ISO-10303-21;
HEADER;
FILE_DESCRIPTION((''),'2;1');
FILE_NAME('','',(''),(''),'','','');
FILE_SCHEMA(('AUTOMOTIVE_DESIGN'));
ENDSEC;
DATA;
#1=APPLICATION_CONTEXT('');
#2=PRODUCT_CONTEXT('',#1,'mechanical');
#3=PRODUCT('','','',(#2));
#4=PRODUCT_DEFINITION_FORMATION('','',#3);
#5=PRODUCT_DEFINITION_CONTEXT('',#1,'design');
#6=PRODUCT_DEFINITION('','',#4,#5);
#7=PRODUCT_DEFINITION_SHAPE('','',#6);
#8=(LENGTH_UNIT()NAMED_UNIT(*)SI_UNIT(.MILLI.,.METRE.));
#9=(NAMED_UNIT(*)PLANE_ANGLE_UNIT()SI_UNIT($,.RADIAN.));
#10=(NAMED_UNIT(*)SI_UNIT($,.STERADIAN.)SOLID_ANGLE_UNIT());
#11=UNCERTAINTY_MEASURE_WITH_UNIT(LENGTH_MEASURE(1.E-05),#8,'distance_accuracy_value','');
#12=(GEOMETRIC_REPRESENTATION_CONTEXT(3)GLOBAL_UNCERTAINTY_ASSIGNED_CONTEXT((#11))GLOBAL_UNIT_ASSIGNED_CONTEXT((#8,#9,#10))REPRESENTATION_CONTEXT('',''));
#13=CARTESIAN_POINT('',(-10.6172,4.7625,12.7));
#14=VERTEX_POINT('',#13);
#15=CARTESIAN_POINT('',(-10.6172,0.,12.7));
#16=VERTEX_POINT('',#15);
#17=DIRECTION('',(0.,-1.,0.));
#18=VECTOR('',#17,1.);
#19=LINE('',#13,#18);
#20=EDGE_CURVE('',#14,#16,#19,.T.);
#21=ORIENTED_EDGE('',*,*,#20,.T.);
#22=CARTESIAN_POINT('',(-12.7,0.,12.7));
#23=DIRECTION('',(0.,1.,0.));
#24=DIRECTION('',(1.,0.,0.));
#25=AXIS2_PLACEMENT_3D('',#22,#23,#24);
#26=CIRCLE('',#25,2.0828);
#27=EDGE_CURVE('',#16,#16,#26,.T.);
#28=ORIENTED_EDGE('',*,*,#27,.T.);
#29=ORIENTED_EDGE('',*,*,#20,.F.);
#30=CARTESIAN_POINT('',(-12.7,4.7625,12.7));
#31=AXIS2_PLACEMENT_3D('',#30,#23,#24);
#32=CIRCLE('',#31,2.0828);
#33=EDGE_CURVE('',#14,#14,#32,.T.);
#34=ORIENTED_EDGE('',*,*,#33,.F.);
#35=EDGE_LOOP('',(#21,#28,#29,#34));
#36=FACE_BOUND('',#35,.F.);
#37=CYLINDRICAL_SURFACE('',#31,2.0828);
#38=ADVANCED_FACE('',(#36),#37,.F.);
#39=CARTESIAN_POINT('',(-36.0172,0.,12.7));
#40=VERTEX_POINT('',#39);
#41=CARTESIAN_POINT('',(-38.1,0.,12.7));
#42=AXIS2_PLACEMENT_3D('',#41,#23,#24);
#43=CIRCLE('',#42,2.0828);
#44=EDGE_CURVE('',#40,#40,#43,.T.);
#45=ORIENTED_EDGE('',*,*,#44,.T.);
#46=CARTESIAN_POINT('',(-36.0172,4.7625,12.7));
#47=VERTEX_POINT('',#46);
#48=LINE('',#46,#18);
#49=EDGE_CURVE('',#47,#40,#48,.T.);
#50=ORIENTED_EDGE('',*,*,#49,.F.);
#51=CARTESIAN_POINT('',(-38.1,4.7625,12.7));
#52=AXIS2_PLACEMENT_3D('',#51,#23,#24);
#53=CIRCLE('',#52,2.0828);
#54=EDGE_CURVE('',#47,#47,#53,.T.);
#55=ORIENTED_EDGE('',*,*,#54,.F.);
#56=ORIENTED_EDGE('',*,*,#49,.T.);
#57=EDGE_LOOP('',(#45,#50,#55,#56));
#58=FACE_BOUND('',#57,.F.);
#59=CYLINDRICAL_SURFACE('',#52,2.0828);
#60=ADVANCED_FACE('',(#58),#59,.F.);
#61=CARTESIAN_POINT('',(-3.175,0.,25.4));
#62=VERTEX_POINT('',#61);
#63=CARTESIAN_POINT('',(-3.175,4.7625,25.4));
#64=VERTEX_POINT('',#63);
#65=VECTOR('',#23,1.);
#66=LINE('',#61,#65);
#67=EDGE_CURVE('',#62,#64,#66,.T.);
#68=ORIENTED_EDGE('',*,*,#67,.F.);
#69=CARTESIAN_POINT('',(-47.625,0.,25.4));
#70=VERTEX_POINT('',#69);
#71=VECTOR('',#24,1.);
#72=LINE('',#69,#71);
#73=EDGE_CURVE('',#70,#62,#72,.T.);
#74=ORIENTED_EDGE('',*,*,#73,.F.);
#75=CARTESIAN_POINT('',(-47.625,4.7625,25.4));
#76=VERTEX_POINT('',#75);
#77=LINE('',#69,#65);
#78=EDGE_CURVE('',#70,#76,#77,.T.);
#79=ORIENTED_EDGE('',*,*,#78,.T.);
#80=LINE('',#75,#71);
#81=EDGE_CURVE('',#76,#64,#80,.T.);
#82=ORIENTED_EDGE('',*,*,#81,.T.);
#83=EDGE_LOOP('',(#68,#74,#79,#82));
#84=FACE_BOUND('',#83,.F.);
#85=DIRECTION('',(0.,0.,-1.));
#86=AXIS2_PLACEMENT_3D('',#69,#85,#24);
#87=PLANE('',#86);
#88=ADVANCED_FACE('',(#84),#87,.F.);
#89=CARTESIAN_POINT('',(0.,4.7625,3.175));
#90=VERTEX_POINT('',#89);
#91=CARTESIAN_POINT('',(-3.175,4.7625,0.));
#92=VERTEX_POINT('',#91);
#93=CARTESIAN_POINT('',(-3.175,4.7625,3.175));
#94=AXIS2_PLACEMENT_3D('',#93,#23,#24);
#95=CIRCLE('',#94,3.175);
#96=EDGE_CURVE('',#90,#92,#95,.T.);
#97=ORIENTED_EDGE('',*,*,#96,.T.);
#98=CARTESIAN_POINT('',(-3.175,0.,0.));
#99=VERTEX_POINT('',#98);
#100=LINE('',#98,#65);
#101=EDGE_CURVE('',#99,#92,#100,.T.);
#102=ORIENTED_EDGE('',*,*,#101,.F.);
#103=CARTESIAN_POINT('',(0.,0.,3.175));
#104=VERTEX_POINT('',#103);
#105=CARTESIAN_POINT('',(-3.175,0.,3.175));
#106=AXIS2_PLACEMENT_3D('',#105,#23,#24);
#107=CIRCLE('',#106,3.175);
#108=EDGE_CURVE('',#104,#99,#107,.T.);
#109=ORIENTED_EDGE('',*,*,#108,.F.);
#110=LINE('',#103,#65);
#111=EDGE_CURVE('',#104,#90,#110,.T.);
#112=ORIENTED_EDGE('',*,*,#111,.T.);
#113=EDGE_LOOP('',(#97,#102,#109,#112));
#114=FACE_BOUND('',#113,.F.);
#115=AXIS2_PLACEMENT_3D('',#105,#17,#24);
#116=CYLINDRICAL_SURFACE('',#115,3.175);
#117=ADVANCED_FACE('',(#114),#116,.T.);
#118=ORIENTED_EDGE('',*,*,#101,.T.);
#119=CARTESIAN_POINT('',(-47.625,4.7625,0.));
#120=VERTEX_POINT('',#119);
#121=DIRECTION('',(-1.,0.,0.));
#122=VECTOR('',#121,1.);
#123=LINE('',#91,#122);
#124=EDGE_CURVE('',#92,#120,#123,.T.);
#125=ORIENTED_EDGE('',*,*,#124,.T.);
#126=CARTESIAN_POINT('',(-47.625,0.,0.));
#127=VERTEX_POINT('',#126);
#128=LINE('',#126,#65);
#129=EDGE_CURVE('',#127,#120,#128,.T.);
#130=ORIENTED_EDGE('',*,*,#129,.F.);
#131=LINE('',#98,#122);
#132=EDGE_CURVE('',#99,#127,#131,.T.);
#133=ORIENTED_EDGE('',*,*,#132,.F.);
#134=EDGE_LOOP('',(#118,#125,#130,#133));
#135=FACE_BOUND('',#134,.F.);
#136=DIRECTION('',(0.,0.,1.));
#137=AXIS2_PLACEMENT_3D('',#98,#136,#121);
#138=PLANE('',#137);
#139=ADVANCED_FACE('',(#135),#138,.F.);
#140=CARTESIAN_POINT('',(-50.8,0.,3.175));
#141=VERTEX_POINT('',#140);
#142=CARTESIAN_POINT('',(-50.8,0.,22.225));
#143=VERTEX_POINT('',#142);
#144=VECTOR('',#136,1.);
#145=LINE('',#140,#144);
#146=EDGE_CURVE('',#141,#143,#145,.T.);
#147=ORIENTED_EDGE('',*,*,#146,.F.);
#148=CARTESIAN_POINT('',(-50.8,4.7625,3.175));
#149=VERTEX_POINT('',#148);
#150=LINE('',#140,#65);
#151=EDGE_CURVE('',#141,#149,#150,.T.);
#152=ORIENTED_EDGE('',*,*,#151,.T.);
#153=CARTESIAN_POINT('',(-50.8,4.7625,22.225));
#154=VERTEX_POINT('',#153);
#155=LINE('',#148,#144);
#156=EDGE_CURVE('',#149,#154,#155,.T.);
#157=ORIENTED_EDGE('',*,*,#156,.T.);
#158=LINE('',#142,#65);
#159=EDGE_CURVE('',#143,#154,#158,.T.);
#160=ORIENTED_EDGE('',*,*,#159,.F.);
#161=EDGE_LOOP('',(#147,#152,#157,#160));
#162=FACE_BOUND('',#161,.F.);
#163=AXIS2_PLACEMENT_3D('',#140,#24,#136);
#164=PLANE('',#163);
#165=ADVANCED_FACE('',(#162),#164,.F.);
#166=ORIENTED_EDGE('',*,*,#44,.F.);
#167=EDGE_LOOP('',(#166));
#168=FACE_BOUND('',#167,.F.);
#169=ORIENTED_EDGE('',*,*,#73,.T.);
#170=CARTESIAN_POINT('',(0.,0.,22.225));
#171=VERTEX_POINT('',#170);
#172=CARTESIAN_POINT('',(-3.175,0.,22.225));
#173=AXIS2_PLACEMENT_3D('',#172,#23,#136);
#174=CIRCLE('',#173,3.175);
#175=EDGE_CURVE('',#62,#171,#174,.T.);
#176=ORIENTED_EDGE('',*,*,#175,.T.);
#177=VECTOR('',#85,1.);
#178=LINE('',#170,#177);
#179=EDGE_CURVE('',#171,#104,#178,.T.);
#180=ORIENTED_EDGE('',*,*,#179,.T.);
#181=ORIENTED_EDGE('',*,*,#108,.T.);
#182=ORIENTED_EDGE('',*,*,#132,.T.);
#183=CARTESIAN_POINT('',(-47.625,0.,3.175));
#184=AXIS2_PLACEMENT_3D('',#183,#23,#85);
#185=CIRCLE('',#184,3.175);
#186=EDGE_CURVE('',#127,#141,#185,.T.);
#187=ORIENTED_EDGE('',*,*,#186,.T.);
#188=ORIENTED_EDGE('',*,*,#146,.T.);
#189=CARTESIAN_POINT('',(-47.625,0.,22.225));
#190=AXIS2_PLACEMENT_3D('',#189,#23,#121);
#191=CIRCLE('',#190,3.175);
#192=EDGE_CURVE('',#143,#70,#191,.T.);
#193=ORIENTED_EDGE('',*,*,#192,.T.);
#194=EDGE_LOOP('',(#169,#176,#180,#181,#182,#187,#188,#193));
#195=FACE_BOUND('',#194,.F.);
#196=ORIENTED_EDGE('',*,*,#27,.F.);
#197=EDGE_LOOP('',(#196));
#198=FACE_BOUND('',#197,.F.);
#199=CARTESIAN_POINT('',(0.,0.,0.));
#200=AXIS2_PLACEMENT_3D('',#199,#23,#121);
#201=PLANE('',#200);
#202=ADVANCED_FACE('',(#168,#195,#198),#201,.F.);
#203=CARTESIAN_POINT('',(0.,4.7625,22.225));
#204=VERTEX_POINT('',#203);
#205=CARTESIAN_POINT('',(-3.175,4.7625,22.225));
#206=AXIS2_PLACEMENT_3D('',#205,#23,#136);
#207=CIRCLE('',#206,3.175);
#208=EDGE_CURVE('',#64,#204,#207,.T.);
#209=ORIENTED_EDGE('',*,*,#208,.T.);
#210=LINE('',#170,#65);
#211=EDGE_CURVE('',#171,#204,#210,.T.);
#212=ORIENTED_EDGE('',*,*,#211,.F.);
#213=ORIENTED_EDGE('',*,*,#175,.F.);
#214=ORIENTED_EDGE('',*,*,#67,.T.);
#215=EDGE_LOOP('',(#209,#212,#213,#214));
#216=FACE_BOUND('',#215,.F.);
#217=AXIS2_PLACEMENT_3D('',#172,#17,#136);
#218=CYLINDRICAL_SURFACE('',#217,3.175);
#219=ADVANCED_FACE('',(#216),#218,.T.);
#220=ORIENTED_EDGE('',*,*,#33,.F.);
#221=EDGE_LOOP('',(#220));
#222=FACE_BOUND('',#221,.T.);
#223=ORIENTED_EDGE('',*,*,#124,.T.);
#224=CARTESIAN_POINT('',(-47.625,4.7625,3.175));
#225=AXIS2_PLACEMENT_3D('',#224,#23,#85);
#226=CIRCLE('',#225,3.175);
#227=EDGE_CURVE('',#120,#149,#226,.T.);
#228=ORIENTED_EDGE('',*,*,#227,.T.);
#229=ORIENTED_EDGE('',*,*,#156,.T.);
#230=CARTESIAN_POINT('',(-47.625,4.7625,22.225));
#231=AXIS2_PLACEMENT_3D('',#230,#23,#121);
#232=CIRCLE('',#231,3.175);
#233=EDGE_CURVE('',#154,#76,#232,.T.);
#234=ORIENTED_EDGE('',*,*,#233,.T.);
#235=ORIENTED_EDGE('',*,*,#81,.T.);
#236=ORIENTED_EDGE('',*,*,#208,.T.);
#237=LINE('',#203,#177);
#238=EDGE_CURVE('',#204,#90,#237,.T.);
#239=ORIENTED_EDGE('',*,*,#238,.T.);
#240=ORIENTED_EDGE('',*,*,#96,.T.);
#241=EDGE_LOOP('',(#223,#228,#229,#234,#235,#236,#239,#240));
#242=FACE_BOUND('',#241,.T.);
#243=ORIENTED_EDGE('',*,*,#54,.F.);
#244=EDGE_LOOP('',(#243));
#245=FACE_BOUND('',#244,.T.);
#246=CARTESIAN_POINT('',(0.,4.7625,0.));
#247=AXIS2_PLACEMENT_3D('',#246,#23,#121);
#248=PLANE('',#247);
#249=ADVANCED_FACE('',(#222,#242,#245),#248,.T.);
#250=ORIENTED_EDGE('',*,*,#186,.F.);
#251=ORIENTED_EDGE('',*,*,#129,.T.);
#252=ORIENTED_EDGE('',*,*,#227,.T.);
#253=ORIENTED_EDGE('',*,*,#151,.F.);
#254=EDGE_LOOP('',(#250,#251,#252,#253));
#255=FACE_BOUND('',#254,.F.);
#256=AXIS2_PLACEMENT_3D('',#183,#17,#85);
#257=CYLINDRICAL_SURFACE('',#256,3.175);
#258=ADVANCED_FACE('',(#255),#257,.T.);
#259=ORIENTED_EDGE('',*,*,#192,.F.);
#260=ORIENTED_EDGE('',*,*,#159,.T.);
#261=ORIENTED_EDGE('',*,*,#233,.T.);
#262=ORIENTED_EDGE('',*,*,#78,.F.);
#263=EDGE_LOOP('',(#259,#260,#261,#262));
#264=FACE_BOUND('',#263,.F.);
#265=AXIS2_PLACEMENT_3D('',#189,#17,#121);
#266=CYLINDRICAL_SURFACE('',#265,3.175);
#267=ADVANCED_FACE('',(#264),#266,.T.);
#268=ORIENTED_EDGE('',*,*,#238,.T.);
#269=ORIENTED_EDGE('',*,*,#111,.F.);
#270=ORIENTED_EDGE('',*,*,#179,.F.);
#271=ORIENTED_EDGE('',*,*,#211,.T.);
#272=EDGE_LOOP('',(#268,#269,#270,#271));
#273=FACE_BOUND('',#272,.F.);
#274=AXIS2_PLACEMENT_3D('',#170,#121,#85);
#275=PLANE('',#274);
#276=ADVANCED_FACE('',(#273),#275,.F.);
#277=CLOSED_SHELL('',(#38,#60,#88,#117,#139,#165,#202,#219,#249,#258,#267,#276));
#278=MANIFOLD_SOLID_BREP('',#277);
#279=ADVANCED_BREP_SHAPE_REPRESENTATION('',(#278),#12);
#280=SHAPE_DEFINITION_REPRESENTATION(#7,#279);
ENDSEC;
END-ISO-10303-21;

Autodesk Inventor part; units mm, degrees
ref_plane "YZ Plane" through (0, 0, 0) normal (1, 0, 0) x (0, 1, 0)
ref_plane "XZ Plane" through (0, 0, 0) normal (0, 1, 0) x (-1, 0, 0)
ref_plane "XY Plane" through (0, 0, 0) normal (0, 0, 1) x (1, 0, 0)
sketch "Sketch1" plane through (0, 0, 0) normal (0, 1, 0) x (-1, 0, 0)
  line L0 (3.175, 0) -> (47.625, 0)
  line L1 (50.8, 3.175) -> (50.8, 22.225)
  line L2 (47.625, 25.4) -> (3.175, 25.4)
  line L3 (0, 22.225) -> (0, 3.175)
  arc A0 (3.175, 25.4) -> (0, 22.225) centre (3.175, 22.225) ccw
  arc A1 (0, 3.175) -> (3.175, 0) centre (3.175, 3.175) ccw
  arc A2 (47.625, 0) -> (50.8, 3.175) centre (47.625, 3.175) ccw
  arc A3 (50.8, 22.225) -> (47.625, 25.4) centre (47.625, 22.225) ccw
  point P0 (0, 0)
  point P1 (50.8, 25.4)
  point P2 (0, 25.4)
  dimension "d0" = 25.4
  dimension "d1" = 50.8
  dimension "d2" = 3.175
extrude "Extrusion1" add sketch "Sketch1" along normal blind 4.7625
sketch "Sketch2" plane through (0, 4.7625, 0) normal (0, 1, 0) x (1, 0, 0)
  line L0 (-3.175, 0) -> (-47.625, 0) projected
  line L1 (-50.8, -3.175) -> (-50.8, -22.225) projected
  line L2 (-47.625, -25.4) -> (-3.175, -25.4) projected
  circle A0 centre (-38.1, -12.7) radius 2.0828
  circle A1 centre (-12.7, -12.7) radius 2.0828
  point P0 (0, 0)
  dimension "d5" = 4.1656
  dimension "d6" = 12.7
  dimension "d7" = 12.7
  dimension "d10" = 25.4
extrude "Extrusion2" cut sketch "Sketch2" against normal blind 4.7625
properties part number "Spacer"
